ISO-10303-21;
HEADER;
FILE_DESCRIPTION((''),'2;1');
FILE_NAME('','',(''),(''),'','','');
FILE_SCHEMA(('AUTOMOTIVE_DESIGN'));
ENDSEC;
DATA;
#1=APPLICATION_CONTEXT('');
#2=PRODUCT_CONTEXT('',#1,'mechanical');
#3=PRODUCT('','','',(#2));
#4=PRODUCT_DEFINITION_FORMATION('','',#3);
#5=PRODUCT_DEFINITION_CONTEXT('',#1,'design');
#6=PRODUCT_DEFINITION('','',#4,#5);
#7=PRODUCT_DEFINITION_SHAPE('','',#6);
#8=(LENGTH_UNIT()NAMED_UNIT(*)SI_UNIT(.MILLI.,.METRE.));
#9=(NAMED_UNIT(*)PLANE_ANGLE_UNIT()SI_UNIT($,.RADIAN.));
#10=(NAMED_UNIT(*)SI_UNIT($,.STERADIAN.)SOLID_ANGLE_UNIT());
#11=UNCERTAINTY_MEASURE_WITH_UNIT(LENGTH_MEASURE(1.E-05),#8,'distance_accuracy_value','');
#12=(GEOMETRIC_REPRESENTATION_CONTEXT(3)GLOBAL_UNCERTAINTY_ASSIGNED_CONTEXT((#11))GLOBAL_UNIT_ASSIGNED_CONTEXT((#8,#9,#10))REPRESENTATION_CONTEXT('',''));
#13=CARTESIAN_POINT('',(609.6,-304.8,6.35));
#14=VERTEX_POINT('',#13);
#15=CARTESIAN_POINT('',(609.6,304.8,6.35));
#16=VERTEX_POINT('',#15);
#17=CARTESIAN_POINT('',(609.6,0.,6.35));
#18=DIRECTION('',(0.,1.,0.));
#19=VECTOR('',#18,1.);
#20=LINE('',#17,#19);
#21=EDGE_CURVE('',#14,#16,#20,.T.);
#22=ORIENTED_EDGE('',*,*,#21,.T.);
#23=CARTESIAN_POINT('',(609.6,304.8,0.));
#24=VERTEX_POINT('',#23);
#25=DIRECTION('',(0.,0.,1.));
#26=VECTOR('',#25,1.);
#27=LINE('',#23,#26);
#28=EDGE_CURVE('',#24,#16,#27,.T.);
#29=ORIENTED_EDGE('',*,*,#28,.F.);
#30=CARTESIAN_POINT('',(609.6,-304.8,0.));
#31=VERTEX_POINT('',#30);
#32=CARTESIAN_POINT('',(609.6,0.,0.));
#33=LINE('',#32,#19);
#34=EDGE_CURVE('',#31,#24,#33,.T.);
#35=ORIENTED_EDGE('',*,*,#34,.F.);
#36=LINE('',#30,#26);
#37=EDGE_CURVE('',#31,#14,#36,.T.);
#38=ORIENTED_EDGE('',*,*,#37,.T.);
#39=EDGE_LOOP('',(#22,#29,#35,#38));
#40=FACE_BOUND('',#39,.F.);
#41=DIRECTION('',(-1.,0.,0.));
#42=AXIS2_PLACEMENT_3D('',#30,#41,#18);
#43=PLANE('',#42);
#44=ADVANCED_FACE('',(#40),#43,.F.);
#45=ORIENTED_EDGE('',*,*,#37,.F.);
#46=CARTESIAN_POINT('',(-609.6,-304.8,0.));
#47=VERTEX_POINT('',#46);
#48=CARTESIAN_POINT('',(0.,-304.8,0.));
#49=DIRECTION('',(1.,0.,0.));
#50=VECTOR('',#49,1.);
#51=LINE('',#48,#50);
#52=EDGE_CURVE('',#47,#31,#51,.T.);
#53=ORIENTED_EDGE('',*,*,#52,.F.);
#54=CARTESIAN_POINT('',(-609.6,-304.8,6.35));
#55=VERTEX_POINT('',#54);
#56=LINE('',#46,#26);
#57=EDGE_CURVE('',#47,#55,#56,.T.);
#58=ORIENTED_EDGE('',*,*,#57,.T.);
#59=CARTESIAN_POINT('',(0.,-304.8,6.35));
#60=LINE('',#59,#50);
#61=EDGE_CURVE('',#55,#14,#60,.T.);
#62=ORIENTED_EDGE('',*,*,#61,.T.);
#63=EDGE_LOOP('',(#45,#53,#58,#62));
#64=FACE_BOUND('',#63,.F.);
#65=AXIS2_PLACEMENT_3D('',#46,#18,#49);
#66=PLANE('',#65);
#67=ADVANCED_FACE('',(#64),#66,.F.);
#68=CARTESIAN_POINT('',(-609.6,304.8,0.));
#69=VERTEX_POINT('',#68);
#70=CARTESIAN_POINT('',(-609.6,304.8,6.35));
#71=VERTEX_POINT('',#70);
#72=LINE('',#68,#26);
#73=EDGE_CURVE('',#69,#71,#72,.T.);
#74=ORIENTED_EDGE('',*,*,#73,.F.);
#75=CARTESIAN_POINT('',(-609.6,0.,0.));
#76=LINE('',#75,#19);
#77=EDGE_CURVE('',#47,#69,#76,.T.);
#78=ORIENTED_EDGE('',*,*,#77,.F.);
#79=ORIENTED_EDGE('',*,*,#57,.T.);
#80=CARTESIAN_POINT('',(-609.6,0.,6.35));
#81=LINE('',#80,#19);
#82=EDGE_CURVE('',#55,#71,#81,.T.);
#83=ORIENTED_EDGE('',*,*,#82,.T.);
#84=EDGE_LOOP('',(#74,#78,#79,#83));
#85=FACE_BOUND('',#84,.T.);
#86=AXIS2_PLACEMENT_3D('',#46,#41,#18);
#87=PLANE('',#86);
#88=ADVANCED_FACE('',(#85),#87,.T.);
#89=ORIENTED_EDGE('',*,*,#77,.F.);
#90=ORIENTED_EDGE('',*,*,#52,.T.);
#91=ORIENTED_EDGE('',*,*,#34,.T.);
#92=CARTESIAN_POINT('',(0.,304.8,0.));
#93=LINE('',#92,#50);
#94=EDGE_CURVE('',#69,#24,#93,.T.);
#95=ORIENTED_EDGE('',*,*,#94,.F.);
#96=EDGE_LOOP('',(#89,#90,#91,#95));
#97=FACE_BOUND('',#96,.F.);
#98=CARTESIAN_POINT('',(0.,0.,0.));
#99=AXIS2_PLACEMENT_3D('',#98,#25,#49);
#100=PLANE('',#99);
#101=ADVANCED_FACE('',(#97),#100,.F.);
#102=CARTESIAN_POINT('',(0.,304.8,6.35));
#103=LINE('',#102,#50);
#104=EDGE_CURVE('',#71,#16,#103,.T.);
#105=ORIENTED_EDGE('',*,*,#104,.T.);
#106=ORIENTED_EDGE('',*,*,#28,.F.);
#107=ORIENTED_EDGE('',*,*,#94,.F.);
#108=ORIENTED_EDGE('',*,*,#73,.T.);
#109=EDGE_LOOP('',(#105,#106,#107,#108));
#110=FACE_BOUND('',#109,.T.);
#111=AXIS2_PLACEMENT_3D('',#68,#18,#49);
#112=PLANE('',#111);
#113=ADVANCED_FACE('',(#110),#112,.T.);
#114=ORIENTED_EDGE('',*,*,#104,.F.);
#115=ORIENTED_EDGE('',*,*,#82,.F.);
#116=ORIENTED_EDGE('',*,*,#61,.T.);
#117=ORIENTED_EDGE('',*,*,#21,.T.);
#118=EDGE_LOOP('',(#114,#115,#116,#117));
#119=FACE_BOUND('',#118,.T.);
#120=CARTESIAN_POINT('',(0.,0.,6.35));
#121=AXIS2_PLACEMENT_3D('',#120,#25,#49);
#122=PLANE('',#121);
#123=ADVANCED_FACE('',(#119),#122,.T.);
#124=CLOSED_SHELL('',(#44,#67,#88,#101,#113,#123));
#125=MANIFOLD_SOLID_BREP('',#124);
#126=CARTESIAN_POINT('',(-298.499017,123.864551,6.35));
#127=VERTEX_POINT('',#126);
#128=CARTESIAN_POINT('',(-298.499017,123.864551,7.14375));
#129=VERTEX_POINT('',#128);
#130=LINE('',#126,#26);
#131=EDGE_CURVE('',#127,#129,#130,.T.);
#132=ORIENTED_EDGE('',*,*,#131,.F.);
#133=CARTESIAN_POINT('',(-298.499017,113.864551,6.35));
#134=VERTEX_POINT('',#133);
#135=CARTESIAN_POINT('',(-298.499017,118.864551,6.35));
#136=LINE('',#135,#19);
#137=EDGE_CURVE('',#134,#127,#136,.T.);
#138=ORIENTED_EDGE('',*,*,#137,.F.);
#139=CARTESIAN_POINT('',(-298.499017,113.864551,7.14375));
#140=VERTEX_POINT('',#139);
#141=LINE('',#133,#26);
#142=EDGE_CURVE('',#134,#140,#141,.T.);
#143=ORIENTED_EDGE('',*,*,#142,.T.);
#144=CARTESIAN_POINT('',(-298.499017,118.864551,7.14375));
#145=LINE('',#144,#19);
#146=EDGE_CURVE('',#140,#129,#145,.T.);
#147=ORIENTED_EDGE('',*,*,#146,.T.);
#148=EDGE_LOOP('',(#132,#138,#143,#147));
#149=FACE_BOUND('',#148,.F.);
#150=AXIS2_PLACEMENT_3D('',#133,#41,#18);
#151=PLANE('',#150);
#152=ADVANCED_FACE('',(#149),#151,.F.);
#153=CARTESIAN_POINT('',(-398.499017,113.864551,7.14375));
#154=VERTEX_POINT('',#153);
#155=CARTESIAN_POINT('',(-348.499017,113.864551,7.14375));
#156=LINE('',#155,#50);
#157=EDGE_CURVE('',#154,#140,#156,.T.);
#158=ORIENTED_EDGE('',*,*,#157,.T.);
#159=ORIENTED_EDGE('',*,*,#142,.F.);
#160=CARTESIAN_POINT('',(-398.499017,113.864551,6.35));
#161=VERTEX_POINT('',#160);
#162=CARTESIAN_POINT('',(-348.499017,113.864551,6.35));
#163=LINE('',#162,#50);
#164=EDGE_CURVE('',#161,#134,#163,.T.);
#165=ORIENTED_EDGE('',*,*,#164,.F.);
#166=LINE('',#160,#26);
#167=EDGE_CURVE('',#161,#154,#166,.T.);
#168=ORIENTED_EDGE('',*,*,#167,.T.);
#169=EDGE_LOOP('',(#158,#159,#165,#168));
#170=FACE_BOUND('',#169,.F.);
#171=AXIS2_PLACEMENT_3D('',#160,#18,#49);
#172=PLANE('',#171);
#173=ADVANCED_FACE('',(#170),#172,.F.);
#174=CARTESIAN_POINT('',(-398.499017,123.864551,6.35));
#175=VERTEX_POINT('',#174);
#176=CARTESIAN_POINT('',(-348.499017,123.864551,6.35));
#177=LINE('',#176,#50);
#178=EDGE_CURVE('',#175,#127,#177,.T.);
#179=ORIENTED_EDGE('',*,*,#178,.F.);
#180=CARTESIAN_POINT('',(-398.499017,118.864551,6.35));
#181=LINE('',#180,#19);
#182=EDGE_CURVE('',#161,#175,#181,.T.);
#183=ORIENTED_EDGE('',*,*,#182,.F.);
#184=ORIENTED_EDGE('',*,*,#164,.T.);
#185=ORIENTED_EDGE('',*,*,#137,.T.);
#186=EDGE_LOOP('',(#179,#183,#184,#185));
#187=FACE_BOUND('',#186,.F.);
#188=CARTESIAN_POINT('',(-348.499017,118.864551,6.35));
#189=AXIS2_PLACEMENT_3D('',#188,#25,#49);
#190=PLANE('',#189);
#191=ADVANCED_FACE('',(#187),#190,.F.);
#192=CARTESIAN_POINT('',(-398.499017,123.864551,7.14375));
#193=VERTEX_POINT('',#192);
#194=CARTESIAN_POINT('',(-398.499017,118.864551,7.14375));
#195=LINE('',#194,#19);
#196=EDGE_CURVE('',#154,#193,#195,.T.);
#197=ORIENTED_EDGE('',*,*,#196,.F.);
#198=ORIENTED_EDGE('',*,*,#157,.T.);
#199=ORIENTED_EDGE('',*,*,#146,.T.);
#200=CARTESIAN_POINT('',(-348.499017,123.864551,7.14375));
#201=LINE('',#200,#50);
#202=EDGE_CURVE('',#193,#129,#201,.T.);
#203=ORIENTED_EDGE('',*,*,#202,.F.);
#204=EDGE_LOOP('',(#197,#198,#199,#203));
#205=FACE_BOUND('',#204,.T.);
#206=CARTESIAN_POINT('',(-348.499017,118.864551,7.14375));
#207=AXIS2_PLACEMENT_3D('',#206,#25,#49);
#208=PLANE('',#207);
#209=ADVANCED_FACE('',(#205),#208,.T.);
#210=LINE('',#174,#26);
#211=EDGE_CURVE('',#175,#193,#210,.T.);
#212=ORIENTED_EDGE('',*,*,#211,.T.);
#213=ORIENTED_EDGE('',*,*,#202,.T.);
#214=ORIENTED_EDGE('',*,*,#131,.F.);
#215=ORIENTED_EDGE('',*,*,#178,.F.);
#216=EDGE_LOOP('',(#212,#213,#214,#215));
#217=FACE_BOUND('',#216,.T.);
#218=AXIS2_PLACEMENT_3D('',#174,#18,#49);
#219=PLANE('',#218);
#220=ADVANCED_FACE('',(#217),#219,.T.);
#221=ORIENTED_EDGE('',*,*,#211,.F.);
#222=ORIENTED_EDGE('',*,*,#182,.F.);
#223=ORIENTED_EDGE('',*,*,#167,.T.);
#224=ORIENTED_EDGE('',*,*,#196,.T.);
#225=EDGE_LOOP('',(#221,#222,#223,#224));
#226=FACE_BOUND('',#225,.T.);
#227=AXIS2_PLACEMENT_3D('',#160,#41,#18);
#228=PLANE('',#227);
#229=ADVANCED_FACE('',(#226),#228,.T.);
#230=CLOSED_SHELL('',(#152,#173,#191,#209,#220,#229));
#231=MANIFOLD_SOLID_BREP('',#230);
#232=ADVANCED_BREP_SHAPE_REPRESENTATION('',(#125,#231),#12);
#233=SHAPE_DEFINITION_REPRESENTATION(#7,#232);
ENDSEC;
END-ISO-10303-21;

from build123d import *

# Parameters (mm, degrees)
F0_W     = 1219.2
F0_H     = 609.6
F1_DEPTH = 6.35
F2_W     = 100
F2_H     = 10
F3_DEPTH = 0.79375


with BuildPart() as f1:
    # F0 (on Top) → F1 (new body)
    with BuildSketch(Plane.XY):
        Rectangle(F0_W, F0_H)
    extrude(amount=F1_DEPTH)


with BuildPart() as f3:
    # F2 (on face) → F3 (new body)
    with BuildSketch(Plane.XY.offset(6.35)):
        with Locations((-348.499017, 118.864551)):
            Rectangle(F2_W, F2_H)
    extrude(amount=F3_DEPTH)


solid = Compound([f1.part, f3.part])
